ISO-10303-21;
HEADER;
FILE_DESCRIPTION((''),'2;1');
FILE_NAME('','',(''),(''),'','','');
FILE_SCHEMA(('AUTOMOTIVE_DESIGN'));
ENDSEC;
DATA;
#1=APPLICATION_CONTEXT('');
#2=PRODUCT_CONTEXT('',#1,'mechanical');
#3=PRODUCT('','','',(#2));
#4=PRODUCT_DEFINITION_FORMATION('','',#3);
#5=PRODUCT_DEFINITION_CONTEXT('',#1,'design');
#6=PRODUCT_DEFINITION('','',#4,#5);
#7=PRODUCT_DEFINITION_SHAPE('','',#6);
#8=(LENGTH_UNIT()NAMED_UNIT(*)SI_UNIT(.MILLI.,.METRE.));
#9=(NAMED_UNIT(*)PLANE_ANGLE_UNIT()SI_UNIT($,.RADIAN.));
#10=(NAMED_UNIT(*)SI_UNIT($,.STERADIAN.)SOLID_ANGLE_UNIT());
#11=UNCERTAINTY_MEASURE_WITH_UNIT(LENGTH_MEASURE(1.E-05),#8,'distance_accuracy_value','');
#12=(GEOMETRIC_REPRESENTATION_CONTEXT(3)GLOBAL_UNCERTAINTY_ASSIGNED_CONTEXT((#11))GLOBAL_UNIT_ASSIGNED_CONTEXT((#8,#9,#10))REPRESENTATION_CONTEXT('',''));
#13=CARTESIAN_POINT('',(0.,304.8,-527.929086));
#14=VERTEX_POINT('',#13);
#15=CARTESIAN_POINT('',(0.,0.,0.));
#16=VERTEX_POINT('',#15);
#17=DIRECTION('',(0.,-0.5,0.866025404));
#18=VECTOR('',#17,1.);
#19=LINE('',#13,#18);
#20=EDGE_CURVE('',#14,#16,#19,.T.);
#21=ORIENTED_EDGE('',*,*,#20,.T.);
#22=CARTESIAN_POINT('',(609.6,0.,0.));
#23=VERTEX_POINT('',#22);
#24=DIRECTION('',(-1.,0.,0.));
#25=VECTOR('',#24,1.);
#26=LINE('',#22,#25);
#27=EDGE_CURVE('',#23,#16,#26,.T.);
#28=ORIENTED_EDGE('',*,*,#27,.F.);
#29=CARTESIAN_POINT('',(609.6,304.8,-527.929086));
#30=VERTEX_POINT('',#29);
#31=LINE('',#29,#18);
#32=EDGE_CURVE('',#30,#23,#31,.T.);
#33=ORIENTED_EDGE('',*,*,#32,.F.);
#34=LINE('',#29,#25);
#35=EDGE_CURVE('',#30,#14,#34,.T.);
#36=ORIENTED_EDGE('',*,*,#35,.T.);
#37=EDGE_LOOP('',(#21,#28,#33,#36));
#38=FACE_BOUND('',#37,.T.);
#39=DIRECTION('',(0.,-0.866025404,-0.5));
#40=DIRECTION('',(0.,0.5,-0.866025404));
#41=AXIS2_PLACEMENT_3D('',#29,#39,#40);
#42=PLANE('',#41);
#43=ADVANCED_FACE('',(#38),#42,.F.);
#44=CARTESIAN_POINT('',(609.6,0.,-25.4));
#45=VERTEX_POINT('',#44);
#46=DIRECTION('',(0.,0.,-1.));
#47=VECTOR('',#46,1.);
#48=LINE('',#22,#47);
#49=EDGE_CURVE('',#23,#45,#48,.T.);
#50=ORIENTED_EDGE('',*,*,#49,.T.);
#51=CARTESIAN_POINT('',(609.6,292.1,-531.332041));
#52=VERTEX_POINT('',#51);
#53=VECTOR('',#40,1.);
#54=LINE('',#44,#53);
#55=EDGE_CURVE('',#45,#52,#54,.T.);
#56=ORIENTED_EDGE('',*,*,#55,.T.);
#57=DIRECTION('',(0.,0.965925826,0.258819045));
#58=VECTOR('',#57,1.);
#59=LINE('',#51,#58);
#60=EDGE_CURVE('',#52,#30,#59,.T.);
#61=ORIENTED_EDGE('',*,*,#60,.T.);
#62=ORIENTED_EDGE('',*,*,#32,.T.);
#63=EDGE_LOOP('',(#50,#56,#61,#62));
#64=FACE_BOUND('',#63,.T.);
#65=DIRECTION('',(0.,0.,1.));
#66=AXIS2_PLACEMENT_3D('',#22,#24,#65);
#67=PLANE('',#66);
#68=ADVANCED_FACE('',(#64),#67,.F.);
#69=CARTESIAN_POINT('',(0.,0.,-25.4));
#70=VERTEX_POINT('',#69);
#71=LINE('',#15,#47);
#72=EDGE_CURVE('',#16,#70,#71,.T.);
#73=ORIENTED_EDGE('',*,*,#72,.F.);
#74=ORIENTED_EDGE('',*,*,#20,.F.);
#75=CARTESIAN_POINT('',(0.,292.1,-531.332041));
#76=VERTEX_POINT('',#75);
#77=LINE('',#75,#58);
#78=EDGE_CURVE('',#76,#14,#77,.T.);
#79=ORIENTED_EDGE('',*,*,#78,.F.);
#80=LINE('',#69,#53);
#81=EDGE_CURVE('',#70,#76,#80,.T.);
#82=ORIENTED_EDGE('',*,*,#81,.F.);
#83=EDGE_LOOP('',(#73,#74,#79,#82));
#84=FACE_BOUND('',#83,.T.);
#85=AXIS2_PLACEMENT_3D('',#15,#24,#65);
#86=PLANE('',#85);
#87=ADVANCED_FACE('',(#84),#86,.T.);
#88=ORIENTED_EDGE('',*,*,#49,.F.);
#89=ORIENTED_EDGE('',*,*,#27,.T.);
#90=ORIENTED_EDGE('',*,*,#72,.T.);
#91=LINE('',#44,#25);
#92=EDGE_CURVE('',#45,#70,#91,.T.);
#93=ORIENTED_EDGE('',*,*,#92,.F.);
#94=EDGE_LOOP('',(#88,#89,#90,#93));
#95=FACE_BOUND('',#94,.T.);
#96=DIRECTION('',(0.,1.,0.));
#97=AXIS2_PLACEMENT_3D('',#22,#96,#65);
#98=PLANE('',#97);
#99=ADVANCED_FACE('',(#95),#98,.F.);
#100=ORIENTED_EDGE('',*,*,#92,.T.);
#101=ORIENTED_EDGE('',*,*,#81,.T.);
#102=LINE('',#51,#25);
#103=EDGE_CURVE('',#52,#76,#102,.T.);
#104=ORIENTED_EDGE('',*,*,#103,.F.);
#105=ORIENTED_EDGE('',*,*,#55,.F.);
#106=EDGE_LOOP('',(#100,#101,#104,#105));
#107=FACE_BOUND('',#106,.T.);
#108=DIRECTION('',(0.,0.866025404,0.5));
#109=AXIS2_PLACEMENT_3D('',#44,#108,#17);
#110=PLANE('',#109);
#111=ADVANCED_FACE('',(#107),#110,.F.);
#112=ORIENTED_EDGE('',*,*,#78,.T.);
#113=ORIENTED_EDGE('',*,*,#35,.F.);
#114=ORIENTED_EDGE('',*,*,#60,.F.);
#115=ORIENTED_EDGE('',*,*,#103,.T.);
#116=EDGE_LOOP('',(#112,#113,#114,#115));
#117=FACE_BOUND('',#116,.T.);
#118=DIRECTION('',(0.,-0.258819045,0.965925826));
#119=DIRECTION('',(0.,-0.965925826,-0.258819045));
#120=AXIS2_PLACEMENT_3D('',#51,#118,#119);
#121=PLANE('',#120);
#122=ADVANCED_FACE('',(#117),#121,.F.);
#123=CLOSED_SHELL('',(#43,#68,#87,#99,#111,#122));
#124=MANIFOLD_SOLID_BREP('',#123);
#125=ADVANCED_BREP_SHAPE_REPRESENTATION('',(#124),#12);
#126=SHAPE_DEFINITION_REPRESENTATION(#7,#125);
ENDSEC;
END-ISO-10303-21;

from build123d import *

# Parameters (mm, degrees)
BOSS_EXTRUDE1_DEPTH = 609.6


with BuildPart() as part:
    # Sketch1 → Boss-Extrude1 (new body)
    with BuildSketch(Plane(origin=(0, 0, 0), x_dir=(0, 0, -1), z_dir=(1, 0, 0))):
        Polygon((0, 0), (25.4, 0), (531.332040891, 292.1), (527.929086147, 304.8), align=None)
    extrude(amount=BOSS_EXTRUDE1_DEPTH)


solid = part.part
